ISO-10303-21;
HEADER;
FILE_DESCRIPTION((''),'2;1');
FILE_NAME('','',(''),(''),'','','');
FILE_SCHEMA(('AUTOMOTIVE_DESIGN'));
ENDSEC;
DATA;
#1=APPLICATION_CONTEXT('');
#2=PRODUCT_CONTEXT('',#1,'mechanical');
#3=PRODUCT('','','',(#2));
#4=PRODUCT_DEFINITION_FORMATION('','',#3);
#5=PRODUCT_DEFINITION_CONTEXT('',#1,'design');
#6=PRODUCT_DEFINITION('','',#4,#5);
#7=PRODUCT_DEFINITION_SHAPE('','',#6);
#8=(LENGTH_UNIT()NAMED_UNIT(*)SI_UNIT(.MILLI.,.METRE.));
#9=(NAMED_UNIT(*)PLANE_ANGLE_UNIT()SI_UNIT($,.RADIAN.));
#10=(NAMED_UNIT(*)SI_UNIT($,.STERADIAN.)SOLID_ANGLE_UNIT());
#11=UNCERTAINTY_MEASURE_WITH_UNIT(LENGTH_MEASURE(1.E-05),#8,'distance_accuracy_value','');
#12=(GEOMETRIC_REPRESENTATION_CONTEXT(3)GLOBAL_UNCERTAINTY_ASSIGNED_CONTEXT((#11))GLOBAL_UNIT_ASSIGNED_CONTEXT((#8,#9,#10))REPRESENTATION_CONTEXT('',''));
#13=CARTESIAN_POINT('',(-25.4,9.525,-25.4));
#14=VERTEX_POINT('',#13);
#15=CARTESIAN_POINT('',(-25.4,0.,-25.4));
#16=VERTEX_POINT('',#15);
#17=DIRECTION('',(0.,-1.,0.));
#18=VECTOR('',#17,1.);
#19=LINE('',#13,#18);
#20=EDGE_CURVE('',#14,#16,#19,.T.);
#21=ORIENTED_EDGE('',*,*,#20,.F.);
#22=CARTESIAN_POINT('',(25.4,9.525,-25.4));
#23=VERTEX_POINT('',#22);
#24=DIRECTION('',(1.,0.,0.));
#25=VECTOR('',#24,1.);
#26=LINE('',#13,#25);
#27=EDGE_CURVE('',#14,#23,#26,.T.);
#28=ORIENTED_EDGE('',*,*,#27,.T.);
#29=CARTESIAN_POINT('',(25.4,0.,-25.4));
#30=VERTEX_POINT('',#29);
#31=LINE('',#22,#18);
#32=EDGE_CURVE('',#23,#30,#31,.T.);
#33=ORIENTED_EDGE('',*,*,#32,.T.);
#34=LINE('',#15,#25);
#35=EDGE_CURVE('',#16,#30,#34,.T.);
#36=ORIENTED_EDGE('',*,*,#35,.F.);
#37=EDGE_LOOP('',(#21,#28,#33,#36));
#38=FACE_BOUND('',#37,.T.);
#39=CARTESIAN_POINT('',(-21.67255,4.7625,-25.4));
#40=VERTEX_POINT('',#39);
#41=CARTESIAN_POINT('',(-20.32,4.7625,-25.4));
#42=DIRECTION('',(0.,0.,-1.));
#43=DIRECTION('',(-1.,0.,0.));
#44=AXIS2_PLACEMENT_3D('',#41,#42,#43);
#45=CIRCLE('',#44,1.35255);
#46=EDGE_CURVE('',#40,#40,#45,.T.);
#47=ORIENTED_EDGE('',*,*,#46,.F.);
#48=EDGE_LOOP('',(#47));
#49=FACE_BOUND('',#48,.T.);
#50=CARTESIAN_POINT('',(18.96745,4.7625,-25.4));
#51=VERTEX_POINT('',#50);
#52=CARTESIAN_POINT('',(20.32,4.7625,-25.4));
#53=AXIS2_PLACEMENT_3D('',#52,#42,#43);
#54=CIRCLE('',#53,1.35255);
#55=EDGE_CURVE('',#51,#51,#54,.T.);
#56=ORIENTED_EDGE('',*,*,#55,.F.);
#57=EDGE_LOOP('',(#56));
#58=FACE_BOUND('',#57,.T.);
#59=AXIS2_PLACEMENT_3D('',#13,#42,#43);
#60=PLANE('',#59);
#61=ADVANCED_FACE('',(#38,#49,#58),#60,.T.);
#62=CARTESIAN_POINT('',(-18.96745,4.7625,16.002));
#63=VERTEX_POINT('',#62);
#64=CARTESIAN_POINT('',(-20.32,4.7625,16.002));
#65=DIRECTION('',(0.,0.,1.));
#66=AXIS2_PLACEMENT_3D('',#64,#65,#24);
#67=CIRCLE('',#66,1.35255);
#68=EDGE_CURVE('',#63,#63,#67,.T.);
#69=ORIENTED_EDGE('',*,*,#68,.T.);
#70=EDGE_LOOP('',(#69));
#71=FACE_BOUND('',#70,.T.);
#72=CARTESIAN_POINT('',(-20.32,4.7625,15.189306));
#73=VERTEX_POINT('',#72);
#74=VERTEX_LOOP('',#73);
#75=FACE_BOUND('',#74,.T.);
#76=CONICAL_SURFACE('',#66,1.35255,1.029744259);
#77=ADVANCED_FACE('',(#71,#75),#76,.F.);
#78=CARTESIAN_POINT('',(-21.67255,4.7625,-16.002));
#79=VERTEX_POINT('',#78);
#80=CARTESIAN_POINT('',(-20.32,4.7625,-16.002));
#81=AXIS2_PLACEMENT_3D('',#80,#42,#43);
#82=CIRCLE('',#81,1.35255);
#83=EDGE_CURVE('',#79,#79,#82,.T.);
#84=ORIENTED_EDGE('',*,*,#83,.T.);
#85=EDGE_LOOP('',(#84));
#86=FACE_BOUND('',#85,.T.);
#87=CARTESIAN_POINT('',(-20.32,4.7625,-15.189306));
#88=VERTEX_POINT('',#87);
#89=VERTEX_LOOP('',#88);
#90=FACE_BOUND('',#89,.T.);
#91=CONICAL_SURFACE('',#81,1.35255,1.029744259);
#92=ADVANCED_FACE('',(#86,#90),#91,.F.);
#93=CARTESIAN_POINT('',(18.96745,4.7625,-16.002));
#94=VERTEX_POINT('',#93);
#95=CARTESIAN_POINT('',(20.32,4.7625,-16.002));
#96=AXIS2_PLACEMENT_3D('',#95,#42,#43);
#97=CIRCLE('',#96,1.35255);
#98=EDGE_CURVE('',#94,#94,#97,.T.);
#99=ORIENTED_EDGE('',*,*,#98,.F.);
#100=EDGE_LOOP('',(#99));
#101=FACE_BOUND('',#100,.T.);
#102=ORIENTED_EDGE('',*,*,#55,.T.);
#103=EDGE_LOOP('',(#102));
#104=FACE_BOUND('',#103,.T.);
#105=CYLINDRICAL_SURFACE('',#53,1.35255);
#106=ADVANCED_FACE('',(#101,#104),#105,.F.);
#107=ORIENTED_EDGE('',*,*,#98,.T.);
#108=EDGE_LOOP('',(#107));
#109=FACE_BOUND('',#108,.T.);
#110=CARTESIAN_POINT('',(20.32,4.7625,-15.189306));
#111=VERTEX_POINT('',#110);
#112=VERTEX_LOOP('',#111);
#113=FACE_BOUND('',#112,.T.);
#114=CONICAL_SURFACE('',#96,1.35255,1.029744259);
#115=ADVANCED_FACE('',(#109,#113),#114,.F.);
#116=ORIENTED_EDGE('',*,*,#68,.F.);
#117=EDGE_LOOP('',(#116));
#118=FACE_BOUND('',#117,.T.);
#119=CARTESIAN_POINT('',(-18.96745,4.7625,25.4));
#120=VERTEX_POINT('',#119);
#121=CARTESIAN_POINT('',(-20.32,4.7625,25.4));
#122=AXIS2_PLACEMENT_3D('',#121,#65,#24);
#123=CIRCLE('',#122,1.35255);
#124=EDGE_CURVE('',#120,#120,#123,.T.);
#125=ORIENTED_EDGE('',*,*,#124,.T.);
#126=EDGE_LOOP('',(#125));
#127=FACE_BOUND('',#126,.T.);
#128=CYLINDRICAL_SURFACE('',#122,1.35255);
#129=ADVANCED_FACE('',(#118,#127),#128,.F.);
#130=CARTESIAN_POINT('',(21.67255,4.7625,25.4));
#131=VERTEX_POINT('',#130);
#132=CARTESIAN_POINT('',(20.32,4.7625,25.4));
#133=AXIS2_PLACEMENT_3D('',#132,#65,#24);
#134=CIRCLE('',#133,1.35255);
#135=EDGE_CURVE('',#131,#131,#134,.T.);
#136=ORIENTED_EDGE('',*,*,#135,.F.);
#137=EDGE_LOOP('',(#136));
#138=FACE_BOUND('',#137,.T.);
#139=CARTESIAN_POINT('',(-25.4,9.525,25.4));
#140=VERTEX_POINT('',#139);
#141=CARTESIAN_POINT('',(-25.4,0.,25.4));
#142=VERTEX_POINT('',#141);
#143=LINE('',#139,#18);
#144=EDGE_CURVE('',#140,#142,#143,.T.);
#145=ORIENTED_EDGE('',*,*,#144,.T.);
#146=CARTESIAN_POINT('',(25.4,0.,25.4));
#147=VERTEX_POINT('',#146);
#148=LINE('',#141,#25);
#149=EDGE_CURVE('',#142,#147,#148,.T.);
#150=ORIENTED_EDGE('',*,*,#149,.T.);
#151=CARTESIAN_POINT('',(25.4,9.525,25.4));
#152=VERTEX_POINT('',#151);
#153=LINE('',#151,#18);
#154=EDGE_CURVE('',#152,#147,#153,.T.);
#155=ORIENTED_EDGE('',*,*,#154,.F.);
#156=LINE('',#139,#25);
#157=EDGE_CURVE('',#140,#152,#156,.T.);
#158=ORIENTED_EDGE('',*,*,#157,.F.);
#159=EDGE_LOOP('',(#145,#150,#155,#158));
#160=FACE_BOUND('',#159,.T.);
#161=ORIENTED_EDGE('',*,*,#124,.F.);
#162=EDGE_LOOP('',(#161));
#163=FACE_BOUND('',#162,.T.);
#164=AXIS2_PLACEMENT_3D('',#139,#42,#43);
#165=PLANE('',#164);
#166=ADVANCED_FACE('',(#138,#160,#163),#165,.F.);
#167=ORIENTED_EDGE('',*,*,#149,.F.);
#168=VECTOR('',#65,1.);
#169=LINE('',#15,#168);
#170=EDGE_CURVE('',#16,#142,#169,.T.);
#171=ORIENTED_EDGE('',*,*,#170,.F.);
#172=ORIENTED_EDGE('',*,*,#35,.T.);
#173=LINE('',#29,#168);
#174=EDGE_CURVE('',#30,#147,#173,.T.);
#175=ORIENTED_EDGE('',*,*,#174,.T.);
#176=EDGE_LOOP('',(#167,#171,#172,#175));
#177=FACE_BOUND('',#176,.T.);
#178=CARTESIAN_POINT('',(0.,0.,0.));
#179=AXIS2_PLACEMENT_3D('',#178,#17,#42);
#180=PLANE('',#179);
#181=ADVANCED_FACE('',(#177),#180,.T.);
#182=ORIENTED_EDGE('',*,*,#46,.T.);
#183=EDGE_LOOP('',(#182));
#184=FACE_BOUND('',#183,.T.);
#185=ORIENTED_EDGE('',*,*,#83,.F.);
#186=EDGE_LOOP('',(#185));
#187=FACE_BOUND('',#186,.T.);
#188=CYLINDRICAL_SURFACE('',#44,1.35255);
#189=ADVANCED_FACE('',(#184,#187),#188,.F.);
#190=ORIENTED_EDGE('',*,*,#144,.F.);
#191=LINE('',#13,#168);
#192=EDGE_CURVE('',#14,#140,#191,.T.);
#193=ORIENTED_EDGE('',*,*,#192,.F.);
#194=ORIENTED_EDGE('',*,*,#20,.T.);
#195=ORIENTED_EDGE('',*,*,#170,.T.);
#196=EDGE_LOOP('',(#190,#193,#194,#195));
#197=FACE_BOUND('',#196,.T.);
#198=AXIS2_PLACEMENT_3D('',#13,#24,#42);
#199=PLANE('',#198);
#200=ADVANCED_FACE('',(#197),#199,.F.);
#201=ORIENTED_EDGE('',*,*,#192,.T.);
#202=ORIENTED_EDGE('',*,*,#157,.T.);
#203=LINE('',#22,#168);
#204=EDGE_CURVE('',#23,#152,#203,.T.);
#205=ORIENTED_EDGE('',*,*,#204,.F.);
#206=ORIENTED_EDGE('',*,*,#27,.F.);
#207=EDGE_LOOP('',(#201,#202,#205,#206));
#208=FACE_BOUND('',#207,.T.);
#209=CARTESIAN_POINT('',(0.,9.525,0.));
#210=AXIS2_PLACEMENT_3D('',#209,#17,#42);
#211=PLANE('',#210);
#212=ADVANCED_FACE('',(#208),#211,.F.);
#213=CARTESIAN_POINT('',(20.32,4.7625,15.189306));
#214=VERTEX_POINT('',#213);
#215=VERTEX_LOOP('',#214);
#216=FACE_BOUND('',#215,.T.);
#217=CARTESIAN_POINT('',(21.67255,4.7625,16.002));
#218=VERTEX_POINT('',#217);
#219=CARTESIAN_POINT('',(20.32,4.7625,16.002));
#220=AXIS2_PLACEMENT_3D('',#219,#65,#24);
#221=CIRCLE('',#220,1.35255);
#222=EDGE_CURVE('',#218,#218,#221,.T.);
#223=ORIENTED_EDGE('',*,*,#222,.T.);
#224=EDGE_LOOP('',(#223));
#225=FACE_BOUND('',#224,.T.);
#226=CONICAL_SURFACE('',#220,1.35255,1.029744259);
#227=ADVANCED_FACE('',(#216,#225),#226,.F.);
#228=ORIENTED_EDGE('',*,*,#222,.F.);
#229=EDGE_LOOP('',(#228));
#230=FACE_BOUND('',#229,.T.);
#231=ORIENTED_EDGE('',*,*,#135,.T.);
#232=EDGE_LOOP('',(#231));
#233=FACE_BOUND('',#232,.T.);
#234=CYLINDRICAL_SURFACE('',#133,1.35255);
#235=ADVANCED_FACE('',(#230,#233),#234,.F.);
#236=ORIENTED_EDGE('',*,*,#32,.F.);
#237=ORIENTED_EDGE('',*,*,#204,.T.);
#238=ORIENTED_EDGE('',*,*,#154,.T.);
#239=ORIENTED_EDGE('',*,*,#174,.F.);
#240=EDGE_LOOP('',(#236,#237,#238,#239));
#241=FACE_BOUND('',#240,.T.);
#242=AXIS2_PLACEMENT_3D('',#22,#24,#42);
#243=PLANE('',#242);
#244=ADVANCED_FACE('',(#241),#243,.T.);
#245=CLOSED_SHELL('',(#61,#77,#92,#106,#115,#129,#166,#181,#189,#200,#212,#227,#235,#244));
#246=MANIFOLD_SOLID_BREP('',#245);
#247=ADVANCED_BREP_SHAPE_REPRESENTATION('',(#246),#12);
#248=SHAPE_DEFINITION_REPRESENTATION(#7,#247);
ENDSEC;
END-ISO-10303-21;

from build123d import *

# Parameters (mm, degrees)
SKETCH2_W                 = 50.8
SKETCH2_H                 = 50.8
BOSS_EXTRUDE1_DEPTH       = 9.525
F_6_32_TAPPED_HOLE1_D     = 2.7051
F_6_32_TAPPED_HOLE1_DEPTH = 9.398
F_6_32_TAPPED_HOLE1_TIP   = 0.81269403
F_6_32_TAPPED_HOLE2_D     = 2.7051
F_6_32_TAPPED_HOLE2_DEPTH = 9.398
F_6_32_TAPPED_HOLE2_TIP   = 0.81269403


with BuildPart() as part:
    # Sketch2 → Boss-Extrude1 (new body)
    with BuildSketch(Plane(origin=(0, 0, 0), x_dir=(1, 0, 0), z_dir=(0, 1, 0))):
        Rectangle(SKETCH2_W, SKETCH2_H)
    extrude(amount=BOSS_EXTRUDE1_DEPTH)

    # #6-32 Tapped Hole1
    with Locations(Plane.XY.offset(25.4)):
        with Locations((-20.32, 4.7625), (20.32, 4.7625)):
            Hole(F_6_32_TAPPED_HOLE1_D / 2, depth=F_6_32_TAPPED_HOLE1_DEPTH)
            with Locations((0, 0, -(F_6_32_TAPPED_HOLE1_DEPTH + F_6_32_TAPPED_HOLE1_TIP / 2))):  # 118° drill point
                Cone(0, F_6_32_TAPPED_HOLE1_D / 2, F_6_32_TAPPED_HOLE1_TIP, mode=Mode.SUBTRACT)

    # #6-32 Tapped Hole2
    with Locations(Plane(origin=(0, 0, -25.4), x_dir=(-1, 0, 0), z_dir=(0, 0, -1))):
        with Locations((-20.32, 4.7625), (20.32, 4.7625)):
            Hole(F_6_32_TAPPED_HOLE2_D / 2, depth=F_6_32_TAPPED_HOLE2_DEPTH)
            with Locations((0, 0, -(F_6_32_TAPPED_HOLE2_DEPTH + F_6_32_TAPPED_HOLE2_TIP / 2))):  # 118° drill point
                Cone(0, F_6_32_TAPPED_HOLE2_D / 2, F_6_32_TAPPED_HOLE2_TIP, mode=Mode.SUBTRACT)


solid = part.part
